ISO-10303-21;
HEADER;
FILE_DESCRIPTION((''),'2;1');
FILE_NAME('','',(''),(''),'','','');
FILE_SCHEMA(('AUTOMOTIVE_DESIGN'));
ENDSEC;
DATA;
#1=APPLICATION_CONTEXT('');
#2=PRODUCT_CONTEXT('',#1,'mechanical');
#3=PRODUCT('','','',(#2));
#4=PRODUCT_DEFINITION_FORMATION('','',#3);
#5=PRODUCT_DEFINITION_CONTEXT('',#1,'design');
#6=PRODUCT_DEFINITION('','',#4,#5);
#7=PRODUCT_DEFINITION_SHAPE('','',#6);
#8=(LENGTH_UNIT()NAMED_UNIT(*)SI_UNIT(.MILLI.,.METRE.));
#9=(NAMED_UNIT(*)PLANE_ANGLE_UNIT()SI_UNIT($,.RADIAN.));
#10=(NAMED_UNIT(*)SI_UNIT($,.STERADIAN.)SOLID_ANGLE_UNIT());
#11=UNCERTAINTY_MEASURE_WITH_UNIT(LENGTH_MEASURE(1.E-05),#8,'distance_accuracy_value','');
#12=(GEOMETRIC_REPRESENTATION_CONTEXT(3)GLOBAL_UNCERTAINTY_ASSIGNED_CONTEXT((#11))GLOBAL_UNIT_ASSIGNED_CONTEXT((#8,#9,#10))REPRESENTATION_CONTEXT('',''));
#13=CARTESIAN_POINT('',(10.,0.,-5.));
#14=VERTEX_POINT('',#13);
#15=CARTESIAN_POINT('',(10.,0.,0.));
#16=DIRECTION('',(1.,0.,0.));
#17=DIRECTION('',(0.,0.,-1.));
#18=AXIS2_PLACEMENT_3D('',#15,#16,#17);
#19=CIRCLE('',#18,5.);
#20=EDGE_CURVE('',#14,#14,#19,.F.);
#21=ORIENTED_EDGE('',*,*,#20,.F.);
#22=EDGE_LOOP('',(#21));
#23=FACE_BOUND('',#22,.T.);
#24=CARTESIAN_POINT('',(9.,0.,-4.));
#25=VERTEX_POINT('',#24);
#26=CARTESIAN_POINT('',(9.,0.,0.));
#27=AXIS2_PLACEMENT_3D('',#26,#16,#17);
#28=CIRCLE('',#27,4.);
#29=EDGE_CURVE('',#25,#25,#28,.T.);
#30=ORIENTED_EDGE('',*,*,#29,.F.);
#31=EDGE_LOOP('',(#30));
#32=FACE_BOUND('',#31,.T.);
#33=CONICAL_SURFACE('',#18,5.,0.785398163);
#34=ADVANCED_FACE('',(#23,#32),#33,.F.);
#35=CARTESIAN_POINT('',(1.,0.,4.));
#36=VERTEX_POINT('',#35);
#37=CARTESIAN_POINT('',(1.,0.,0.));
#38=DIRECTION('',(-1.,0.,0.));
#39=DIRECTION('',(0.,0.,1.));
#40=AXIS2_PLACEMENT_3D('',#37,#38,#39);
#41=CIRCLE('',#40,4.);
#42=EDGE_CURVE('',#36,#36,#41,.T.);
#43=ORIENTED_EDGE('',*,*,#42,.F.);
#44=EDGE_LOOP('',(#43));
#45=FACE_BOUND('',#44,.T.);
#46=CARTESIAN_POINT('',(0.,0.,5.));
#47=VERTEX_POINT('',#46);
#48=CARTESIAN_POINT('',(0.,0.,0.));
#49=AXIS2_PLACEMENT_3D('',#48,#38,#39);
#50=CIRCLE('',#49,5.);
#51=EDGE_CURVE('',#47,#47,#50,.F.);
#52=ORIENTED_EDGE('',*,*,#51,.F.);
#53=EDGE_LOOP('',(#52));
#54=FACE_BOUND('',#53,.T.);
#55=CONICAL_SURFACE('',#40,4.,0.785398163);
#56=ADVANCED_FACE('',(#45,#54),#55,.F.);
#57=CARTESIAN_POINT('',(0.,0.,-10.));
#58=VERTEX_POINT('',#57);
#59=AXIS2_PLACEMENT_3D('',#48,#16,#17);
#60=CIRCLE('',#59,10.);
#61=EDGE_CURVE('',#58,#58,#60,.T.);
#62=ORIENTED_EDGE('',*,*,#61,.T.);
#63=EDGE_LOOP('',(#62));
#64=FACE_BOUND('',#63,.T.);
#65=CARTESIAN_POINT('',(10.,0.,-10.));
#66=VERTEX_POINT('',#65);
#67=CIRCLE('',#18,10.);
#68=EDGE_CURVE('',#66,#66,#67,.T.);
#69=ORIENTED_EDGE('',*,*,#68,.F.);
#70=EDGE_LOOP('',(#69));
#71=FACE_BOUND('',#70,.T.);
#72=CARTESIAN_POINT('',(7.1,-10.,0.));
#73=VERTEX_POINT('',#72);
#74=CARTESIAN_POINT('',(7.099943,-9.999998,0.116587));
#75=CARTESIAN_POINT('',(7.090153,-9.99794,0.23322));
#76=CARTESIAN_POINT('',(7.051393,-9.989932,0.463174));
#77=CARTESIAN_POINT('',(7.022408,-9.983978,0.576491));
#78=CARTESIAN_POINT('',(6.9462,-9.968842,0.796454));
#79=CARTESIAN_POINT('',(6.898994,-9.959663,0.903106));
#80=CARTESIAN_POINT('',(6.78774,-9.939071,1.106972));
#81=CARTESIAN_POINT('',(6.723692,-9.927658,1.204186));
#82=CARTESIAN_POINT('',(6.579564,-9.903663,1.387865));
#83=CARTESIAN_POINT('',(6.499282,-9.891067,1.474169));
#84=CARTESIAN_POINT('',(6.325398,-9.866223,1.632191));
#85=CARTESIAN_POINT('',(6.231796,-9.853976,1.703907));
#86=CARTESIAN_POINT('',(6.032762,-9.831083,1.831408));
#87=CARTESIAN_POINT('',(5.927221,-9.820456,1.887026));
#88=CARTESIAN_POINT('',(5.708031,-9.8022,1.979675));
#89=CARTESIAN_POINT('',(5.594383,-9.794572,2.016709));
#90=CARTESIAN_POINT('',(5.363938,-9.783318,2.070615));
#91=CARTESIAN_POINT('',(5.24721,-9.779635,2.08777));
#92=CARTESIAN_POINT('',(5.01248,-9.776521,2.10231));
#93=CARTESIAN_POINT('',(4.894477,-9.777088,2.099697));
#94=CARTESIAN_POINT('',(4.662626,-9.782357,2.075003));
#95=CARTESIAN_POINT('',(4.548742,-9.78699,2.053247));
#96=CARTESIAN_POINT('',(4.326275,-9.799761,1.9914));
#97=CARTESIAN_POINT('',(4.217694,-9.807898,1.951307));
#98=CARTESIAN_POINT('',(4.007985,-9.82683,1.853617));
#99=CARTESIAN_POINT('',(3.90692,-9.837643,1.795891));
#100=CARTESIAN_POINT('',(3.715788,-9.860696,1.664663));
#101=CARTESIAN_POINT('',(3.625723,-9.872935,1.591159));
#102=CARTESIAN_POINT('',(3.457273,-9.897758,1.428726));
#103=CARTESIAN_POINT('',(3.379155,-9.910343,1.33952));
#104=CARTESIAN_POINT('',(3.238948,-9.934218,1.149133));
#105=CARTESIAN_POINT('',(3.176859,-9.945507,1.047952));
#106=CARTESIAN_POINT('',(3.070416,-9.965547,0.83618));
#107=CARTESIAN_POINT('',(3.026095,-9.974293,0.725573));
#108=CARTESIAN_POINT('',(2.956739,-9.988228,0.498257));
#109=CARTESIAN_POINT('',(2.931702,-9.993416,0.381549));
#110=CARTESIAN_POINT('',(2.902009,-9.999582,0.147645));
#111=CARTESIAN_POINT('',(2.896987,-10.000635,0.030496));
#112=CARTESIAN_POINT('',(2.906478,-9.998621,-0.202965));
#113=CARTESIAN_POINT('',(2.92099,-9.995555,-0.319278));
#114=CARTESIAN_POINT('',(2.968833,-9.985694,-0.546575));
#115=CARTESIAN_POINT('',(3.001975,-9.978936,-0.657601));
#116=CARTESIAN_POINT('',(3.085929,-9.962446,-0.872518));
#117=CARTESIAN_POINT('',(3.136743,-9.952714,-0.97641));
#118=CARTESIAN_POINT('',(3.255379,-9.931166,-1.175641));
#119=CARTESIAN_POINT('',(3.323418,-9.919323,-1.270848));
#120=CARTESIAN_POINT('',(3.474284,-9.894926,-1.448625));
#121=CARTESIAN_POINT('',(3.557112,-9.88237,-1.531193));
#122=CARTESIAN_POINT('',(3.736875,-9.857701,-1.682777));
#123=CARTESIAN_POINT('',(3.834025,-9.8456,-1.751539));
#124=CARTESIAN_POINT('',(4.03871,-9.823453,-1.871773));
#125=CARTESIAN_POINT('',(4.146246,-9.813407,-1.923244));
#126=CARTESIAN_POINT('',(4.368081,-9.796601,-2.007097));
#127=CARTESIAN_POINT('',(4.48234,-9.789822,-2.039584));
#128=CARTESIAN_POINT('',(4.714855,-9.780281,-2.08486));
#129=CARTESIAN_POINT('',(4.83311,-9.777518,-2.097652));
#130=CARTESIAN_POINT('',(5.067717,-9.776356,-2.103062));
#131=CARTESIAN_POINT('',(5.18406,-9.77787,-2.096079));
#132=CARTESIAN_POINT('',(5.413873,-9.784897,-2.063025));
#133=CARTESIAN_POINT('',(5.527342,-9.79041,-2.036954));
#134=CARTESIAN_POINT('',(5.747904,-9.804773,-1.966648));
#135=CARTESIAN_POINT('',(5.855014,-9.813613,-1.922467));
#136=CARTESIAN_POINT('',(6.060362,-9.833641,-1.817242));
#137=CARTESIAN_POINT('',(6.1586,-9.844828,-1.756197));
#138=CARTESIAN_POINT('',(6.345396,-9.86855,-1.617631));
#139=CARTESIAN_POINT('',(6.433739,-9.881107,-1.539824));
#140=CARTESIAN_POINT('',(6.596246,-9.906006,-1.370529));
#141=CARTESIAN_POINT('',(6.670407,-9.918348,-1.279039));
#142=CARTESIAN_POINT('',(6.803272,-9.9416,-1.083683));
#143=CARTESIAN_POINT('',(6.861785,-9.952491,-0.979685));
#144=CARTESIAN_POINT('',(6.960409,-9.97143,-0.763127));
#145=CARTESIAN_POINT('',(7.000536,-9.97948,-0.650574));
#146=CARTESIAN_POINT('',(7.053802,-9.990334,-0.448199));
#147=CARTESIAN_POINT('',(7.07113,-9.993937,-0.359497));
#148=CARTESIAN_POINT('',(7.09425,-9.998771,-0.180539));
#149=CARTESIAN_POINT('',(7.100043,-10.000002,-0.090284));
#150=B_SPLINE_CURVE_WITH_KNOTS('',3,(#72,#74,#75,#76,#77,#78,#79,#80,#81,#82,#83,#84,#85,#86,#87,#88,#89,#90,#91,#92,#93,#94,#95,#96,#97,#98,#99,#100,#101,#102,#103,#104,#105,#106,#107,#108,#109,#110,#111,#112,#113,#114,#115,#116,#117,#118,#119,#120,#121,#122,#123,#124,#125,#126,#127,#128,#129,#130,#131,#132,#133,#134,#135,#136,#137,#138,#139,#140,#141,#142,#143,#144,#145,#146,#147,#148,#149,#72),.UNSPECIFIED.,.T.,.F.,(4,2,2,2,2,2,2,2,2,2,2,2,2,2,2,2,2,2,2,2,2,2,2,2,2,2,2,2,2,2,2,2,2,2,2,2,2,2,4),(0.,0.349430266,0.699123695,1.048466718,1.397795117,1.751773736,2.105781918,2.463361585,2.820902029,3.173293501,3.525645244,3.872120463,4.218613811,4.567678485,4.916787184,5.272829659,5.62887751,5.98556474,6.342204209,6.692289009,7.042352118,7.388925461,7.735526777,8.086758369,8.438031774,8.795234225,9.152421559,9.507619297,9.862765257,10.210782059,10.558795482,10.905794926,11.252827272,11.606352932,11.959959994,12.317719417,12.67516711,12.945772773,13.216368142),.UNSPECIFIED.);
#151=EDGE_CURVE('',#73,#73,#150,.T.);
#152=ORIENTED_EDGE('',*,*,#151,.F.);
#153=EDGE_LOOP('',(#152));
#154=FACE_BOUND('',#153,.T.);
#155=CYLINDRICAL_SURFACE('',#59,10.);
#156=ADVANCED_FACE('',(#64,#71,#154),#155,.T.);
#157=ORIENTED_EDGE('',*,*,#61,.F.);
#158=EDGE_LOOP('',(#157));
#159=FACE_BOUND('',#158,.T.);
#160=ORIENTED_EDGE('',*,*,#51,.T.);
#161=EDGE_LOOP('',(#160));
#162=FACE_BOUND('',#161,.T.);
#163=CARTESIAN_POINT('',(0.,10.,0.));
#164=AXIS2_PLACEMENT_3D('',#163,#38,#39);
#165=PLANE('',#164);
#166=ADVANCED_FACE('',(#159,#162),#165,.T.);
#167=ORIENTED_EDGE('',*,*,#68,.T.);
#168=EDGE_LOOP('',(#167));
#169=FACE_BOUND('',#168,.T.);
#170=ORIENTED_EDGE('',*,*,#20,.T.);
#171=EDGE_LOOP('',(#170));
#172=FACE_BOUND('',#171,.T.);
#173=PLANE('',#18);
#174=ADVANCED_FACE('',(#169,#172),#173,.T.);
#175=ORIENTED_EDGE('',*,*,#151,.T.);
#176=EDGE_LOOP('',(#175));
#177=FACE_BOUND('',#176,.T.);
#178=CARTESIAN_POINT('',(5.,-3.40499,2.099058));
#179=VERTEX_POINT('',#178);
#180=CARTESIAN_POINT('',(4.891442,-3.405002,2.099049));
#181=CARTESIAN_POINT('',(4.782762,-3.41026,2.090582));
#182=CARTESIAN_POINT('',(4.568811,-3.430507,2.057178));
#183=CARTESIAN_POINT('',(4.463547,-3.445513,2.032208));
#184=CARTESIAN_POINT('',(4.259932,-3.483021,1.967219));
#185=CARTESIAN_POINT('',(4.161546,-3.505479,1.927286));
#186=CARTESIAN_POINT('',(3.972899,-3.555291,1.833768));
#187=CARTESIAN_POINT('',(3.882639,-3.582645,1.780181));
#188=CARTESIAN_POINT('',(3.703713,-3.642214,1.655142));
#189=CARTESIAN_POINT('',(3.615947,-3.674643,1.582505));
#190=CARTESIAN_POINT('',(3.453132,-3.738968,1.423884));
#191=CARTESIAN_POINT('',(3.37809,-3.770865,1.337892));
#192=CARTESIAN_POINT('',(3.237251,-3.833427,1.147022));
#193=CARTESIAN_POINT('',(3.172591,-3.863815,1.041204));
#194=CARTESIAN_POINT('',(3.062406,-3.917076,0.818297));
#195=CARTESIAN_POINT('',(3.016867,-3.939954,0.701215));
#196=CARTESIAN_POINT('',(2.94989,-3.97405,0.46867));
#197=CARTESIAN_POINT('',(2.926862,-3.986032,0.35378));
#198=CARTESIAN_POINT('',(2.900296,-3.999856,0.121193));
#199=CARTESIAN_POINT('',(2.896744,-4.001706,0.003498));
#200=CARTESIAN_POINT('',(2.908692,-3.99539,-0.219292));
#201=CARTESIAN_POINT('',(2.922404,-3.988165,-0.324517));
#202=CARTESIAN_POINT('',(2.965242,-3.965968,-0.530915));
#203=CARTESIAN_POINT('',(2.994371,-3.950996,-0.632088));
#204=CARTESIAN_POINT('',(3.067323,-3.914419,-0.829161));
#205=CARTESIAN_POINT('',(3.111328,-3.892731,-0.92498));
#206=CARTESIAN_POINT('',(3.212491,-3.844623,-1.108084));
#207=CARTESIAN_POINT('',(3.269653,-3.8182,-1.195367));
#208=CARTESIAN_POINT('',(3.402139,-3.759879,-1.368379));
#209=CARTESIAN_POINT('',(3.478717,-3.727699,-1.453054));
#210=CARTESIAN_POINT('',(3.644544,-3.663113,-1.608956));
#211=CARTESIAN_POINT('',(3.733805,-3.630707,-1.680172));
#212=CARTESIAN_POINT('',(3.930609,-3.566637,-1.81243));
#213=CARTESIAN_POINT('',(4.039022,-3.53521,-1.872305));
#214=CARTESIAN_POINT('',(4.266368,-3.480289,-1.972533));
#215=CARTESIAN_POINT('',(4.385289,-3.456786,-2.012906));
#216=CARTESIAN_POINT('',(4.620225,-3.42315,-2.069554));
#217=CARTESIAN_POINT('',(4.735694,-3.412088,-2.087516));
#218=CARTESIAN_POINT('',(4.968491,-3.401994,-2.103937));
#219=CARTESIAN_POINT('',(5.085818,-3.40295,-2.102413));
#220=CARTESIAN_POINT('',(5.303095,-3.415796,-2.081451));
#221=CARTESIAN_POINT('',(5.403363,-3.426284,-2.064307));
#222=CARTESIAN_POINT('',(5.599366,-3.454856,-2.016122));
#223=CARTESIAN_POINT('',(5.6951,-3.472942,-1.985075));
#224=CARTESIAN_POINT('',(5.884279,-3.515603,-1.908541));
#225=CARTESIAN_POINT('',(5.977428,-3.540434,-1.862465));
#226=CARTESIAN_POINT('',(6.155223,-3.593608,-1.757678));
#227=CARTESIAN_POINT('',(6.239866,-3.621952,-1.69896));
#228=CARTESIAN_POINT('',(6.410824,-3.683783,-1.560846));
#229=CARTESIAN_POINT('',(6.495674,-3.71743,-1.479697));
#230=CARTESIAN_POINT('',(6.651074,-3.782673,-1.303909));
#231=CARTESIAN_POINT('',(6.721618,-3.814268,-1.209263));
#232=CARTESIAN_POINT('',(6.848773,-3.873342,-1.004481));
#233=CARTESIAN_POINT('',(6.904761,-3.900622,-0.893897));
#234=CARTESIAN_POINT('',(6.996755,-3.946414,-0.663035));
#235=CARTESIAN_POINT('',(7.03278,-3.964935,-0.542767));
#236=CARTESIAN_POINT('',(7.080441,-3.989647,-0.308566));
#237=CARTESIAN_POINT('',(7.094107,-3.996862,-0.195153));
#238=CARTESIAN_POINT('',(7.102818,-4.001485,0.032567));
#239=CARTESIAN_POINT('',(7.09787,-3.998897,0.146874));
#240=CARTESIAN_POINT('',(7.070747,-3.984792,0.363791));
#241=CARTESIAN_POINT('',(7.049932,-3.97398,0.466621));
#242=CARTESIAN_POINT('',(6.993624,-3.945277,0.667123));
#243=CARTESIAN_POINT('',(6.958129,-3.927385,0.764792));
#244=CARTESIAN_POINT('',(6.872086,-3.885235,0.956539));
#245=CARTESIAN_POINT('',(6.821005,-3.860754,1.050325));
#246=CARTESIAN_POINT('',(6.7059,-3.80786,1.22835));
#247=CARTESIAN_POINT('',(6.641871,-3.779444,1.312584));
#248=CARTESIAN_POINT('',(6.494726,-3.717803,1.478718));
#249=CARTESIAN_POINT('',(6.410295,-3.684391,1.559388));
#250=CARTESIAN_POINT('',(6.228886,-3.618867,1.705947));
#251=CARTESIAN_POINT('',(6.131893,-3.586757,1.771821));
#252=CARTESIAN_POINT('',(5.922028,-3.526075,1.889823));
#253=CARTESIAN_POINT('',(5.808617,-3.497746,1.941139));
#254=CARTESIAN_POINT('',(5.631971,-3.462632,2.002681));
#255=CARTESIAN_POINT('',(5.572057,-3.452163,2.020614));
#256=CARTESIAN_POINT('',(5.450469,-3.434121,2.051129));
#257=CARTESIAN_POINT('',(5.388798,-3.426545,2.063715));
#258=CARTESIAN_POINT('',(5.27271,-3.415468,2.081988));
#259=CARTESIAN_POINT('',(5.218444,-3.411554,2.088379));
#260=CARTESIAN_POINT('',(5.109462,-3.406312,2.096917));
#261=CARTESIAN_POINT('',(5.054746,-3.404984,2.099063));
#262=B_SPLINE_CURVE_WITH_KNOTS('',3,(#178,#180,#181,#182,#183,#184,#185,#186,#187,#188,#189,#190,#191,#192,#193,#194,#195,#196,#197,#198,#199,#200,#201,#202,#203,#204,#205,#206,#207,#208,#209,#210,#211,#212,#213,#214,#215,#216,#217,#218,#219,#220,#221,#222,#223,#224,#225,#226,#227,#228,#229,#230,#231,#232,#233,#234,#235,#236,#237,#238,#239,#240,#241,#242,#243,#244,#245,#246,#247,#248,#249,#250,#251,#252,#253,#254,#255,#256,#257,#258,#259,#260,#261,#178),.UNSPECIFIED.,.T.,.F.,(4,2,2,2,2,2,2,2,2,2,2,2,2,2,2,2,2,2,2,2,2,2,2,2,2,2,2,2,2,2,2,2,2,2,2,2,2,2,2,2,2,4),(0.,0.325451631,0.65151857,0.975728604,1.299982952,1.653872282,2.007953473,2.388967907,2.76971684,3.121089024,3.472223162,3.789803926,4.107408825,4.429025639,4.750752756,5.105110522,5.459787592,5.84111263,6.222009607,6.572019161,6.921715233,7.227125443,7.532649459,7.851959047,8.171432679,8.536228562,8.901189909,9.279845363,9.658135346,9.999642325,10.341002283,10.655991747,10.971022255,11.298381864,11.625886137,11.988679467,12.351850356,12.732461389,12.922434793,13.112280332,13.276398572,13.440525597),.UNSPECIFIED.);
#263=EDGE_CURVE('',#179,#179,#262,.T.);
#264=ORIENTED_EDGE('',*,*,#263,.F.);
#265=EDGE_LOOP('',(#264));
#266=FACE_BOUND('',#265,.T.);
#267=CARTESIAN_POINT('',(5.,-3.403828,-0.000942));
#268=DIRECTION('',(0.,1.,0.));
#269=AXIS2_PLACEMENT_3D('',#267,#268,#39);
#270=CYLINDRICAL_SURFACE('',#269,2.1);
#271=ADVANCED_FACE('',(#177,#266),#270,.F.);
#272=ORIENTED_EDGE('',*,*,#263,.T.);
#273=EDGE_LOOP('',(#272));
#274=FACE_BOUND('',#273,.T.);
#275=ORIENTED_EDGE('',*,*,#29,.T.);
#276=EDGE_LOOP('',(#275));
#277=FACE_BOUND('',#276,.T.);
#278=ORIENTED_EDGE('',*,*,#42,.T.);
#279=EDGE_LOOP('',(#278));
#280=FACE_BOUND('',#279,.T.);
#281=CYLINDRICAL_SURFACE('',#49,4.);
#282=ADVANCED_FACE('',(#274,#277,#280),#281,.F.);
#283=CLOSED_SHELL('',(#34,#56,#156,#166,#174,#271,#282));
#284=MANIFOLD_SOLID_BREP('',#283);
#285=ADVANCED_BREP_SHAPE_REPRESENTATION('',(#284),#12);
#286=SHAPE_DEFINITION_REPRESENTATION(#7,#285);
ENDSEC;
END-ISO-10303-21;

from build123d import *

# Parameters (mm, degrees)
SKETCH1_W                 = 10
SKETCH1_H                 = 10
F_8_0_8_DIAMETER_HOLE1_D  = 8
M5X0_8_TAPPED_HOLE1_D     = 4.2
M5X0_8_TAPPED_HOLE1_DEPTH = 6.59617233
CHAMFER1_SIZE             = 1


with BuildPart() as part:
    # Sketch1 → Revolve1 (revolve)
    with BuildSketch(Plane.XY, mode=Mode.PRIVATE) as revolve1_sk:
        with Locations((5, 5)):
            Rectangle(SKETCH1_W, SKETCH1_H)
    revolve(revolve1_sk.sketch.rotate(Axis((0, 0, 0), (1, 0, 0)), 270), axis=Axis((0, 0, 0), (1, 0, 0)))

    # Ø8.0 (8) Diameter Hole1 (through all)
    with Locations(Plane.ZY):
        with Locations((0, 0)):
            Hole(F_8_0_8_DIAMETER_HOLE1_D / 2)

    # M5x0.8 Tapped Hole1
    with Locations(Plane(origin=(0, -3.40382767, 0), x_dir=(1, 0, 0), z_dir=(0, 1, 0))):
        with Locations((5, 0.000941977)):
            Hole(M5X0_8_TAPPED_HOLE1_D / 2, depth=M5X0_8_TAPPED_HOLE1_DEPTH)

    # Chamfer1
    chamfer1_edges = [part.edges().sort_by_distance(p)[0] for p in [
        (0, 0, 4),
        (10, 0, 4),
    ]]
    chamfer(chamfer1_edges, length=CHAMFER1_SIZE)


solid = part.part
